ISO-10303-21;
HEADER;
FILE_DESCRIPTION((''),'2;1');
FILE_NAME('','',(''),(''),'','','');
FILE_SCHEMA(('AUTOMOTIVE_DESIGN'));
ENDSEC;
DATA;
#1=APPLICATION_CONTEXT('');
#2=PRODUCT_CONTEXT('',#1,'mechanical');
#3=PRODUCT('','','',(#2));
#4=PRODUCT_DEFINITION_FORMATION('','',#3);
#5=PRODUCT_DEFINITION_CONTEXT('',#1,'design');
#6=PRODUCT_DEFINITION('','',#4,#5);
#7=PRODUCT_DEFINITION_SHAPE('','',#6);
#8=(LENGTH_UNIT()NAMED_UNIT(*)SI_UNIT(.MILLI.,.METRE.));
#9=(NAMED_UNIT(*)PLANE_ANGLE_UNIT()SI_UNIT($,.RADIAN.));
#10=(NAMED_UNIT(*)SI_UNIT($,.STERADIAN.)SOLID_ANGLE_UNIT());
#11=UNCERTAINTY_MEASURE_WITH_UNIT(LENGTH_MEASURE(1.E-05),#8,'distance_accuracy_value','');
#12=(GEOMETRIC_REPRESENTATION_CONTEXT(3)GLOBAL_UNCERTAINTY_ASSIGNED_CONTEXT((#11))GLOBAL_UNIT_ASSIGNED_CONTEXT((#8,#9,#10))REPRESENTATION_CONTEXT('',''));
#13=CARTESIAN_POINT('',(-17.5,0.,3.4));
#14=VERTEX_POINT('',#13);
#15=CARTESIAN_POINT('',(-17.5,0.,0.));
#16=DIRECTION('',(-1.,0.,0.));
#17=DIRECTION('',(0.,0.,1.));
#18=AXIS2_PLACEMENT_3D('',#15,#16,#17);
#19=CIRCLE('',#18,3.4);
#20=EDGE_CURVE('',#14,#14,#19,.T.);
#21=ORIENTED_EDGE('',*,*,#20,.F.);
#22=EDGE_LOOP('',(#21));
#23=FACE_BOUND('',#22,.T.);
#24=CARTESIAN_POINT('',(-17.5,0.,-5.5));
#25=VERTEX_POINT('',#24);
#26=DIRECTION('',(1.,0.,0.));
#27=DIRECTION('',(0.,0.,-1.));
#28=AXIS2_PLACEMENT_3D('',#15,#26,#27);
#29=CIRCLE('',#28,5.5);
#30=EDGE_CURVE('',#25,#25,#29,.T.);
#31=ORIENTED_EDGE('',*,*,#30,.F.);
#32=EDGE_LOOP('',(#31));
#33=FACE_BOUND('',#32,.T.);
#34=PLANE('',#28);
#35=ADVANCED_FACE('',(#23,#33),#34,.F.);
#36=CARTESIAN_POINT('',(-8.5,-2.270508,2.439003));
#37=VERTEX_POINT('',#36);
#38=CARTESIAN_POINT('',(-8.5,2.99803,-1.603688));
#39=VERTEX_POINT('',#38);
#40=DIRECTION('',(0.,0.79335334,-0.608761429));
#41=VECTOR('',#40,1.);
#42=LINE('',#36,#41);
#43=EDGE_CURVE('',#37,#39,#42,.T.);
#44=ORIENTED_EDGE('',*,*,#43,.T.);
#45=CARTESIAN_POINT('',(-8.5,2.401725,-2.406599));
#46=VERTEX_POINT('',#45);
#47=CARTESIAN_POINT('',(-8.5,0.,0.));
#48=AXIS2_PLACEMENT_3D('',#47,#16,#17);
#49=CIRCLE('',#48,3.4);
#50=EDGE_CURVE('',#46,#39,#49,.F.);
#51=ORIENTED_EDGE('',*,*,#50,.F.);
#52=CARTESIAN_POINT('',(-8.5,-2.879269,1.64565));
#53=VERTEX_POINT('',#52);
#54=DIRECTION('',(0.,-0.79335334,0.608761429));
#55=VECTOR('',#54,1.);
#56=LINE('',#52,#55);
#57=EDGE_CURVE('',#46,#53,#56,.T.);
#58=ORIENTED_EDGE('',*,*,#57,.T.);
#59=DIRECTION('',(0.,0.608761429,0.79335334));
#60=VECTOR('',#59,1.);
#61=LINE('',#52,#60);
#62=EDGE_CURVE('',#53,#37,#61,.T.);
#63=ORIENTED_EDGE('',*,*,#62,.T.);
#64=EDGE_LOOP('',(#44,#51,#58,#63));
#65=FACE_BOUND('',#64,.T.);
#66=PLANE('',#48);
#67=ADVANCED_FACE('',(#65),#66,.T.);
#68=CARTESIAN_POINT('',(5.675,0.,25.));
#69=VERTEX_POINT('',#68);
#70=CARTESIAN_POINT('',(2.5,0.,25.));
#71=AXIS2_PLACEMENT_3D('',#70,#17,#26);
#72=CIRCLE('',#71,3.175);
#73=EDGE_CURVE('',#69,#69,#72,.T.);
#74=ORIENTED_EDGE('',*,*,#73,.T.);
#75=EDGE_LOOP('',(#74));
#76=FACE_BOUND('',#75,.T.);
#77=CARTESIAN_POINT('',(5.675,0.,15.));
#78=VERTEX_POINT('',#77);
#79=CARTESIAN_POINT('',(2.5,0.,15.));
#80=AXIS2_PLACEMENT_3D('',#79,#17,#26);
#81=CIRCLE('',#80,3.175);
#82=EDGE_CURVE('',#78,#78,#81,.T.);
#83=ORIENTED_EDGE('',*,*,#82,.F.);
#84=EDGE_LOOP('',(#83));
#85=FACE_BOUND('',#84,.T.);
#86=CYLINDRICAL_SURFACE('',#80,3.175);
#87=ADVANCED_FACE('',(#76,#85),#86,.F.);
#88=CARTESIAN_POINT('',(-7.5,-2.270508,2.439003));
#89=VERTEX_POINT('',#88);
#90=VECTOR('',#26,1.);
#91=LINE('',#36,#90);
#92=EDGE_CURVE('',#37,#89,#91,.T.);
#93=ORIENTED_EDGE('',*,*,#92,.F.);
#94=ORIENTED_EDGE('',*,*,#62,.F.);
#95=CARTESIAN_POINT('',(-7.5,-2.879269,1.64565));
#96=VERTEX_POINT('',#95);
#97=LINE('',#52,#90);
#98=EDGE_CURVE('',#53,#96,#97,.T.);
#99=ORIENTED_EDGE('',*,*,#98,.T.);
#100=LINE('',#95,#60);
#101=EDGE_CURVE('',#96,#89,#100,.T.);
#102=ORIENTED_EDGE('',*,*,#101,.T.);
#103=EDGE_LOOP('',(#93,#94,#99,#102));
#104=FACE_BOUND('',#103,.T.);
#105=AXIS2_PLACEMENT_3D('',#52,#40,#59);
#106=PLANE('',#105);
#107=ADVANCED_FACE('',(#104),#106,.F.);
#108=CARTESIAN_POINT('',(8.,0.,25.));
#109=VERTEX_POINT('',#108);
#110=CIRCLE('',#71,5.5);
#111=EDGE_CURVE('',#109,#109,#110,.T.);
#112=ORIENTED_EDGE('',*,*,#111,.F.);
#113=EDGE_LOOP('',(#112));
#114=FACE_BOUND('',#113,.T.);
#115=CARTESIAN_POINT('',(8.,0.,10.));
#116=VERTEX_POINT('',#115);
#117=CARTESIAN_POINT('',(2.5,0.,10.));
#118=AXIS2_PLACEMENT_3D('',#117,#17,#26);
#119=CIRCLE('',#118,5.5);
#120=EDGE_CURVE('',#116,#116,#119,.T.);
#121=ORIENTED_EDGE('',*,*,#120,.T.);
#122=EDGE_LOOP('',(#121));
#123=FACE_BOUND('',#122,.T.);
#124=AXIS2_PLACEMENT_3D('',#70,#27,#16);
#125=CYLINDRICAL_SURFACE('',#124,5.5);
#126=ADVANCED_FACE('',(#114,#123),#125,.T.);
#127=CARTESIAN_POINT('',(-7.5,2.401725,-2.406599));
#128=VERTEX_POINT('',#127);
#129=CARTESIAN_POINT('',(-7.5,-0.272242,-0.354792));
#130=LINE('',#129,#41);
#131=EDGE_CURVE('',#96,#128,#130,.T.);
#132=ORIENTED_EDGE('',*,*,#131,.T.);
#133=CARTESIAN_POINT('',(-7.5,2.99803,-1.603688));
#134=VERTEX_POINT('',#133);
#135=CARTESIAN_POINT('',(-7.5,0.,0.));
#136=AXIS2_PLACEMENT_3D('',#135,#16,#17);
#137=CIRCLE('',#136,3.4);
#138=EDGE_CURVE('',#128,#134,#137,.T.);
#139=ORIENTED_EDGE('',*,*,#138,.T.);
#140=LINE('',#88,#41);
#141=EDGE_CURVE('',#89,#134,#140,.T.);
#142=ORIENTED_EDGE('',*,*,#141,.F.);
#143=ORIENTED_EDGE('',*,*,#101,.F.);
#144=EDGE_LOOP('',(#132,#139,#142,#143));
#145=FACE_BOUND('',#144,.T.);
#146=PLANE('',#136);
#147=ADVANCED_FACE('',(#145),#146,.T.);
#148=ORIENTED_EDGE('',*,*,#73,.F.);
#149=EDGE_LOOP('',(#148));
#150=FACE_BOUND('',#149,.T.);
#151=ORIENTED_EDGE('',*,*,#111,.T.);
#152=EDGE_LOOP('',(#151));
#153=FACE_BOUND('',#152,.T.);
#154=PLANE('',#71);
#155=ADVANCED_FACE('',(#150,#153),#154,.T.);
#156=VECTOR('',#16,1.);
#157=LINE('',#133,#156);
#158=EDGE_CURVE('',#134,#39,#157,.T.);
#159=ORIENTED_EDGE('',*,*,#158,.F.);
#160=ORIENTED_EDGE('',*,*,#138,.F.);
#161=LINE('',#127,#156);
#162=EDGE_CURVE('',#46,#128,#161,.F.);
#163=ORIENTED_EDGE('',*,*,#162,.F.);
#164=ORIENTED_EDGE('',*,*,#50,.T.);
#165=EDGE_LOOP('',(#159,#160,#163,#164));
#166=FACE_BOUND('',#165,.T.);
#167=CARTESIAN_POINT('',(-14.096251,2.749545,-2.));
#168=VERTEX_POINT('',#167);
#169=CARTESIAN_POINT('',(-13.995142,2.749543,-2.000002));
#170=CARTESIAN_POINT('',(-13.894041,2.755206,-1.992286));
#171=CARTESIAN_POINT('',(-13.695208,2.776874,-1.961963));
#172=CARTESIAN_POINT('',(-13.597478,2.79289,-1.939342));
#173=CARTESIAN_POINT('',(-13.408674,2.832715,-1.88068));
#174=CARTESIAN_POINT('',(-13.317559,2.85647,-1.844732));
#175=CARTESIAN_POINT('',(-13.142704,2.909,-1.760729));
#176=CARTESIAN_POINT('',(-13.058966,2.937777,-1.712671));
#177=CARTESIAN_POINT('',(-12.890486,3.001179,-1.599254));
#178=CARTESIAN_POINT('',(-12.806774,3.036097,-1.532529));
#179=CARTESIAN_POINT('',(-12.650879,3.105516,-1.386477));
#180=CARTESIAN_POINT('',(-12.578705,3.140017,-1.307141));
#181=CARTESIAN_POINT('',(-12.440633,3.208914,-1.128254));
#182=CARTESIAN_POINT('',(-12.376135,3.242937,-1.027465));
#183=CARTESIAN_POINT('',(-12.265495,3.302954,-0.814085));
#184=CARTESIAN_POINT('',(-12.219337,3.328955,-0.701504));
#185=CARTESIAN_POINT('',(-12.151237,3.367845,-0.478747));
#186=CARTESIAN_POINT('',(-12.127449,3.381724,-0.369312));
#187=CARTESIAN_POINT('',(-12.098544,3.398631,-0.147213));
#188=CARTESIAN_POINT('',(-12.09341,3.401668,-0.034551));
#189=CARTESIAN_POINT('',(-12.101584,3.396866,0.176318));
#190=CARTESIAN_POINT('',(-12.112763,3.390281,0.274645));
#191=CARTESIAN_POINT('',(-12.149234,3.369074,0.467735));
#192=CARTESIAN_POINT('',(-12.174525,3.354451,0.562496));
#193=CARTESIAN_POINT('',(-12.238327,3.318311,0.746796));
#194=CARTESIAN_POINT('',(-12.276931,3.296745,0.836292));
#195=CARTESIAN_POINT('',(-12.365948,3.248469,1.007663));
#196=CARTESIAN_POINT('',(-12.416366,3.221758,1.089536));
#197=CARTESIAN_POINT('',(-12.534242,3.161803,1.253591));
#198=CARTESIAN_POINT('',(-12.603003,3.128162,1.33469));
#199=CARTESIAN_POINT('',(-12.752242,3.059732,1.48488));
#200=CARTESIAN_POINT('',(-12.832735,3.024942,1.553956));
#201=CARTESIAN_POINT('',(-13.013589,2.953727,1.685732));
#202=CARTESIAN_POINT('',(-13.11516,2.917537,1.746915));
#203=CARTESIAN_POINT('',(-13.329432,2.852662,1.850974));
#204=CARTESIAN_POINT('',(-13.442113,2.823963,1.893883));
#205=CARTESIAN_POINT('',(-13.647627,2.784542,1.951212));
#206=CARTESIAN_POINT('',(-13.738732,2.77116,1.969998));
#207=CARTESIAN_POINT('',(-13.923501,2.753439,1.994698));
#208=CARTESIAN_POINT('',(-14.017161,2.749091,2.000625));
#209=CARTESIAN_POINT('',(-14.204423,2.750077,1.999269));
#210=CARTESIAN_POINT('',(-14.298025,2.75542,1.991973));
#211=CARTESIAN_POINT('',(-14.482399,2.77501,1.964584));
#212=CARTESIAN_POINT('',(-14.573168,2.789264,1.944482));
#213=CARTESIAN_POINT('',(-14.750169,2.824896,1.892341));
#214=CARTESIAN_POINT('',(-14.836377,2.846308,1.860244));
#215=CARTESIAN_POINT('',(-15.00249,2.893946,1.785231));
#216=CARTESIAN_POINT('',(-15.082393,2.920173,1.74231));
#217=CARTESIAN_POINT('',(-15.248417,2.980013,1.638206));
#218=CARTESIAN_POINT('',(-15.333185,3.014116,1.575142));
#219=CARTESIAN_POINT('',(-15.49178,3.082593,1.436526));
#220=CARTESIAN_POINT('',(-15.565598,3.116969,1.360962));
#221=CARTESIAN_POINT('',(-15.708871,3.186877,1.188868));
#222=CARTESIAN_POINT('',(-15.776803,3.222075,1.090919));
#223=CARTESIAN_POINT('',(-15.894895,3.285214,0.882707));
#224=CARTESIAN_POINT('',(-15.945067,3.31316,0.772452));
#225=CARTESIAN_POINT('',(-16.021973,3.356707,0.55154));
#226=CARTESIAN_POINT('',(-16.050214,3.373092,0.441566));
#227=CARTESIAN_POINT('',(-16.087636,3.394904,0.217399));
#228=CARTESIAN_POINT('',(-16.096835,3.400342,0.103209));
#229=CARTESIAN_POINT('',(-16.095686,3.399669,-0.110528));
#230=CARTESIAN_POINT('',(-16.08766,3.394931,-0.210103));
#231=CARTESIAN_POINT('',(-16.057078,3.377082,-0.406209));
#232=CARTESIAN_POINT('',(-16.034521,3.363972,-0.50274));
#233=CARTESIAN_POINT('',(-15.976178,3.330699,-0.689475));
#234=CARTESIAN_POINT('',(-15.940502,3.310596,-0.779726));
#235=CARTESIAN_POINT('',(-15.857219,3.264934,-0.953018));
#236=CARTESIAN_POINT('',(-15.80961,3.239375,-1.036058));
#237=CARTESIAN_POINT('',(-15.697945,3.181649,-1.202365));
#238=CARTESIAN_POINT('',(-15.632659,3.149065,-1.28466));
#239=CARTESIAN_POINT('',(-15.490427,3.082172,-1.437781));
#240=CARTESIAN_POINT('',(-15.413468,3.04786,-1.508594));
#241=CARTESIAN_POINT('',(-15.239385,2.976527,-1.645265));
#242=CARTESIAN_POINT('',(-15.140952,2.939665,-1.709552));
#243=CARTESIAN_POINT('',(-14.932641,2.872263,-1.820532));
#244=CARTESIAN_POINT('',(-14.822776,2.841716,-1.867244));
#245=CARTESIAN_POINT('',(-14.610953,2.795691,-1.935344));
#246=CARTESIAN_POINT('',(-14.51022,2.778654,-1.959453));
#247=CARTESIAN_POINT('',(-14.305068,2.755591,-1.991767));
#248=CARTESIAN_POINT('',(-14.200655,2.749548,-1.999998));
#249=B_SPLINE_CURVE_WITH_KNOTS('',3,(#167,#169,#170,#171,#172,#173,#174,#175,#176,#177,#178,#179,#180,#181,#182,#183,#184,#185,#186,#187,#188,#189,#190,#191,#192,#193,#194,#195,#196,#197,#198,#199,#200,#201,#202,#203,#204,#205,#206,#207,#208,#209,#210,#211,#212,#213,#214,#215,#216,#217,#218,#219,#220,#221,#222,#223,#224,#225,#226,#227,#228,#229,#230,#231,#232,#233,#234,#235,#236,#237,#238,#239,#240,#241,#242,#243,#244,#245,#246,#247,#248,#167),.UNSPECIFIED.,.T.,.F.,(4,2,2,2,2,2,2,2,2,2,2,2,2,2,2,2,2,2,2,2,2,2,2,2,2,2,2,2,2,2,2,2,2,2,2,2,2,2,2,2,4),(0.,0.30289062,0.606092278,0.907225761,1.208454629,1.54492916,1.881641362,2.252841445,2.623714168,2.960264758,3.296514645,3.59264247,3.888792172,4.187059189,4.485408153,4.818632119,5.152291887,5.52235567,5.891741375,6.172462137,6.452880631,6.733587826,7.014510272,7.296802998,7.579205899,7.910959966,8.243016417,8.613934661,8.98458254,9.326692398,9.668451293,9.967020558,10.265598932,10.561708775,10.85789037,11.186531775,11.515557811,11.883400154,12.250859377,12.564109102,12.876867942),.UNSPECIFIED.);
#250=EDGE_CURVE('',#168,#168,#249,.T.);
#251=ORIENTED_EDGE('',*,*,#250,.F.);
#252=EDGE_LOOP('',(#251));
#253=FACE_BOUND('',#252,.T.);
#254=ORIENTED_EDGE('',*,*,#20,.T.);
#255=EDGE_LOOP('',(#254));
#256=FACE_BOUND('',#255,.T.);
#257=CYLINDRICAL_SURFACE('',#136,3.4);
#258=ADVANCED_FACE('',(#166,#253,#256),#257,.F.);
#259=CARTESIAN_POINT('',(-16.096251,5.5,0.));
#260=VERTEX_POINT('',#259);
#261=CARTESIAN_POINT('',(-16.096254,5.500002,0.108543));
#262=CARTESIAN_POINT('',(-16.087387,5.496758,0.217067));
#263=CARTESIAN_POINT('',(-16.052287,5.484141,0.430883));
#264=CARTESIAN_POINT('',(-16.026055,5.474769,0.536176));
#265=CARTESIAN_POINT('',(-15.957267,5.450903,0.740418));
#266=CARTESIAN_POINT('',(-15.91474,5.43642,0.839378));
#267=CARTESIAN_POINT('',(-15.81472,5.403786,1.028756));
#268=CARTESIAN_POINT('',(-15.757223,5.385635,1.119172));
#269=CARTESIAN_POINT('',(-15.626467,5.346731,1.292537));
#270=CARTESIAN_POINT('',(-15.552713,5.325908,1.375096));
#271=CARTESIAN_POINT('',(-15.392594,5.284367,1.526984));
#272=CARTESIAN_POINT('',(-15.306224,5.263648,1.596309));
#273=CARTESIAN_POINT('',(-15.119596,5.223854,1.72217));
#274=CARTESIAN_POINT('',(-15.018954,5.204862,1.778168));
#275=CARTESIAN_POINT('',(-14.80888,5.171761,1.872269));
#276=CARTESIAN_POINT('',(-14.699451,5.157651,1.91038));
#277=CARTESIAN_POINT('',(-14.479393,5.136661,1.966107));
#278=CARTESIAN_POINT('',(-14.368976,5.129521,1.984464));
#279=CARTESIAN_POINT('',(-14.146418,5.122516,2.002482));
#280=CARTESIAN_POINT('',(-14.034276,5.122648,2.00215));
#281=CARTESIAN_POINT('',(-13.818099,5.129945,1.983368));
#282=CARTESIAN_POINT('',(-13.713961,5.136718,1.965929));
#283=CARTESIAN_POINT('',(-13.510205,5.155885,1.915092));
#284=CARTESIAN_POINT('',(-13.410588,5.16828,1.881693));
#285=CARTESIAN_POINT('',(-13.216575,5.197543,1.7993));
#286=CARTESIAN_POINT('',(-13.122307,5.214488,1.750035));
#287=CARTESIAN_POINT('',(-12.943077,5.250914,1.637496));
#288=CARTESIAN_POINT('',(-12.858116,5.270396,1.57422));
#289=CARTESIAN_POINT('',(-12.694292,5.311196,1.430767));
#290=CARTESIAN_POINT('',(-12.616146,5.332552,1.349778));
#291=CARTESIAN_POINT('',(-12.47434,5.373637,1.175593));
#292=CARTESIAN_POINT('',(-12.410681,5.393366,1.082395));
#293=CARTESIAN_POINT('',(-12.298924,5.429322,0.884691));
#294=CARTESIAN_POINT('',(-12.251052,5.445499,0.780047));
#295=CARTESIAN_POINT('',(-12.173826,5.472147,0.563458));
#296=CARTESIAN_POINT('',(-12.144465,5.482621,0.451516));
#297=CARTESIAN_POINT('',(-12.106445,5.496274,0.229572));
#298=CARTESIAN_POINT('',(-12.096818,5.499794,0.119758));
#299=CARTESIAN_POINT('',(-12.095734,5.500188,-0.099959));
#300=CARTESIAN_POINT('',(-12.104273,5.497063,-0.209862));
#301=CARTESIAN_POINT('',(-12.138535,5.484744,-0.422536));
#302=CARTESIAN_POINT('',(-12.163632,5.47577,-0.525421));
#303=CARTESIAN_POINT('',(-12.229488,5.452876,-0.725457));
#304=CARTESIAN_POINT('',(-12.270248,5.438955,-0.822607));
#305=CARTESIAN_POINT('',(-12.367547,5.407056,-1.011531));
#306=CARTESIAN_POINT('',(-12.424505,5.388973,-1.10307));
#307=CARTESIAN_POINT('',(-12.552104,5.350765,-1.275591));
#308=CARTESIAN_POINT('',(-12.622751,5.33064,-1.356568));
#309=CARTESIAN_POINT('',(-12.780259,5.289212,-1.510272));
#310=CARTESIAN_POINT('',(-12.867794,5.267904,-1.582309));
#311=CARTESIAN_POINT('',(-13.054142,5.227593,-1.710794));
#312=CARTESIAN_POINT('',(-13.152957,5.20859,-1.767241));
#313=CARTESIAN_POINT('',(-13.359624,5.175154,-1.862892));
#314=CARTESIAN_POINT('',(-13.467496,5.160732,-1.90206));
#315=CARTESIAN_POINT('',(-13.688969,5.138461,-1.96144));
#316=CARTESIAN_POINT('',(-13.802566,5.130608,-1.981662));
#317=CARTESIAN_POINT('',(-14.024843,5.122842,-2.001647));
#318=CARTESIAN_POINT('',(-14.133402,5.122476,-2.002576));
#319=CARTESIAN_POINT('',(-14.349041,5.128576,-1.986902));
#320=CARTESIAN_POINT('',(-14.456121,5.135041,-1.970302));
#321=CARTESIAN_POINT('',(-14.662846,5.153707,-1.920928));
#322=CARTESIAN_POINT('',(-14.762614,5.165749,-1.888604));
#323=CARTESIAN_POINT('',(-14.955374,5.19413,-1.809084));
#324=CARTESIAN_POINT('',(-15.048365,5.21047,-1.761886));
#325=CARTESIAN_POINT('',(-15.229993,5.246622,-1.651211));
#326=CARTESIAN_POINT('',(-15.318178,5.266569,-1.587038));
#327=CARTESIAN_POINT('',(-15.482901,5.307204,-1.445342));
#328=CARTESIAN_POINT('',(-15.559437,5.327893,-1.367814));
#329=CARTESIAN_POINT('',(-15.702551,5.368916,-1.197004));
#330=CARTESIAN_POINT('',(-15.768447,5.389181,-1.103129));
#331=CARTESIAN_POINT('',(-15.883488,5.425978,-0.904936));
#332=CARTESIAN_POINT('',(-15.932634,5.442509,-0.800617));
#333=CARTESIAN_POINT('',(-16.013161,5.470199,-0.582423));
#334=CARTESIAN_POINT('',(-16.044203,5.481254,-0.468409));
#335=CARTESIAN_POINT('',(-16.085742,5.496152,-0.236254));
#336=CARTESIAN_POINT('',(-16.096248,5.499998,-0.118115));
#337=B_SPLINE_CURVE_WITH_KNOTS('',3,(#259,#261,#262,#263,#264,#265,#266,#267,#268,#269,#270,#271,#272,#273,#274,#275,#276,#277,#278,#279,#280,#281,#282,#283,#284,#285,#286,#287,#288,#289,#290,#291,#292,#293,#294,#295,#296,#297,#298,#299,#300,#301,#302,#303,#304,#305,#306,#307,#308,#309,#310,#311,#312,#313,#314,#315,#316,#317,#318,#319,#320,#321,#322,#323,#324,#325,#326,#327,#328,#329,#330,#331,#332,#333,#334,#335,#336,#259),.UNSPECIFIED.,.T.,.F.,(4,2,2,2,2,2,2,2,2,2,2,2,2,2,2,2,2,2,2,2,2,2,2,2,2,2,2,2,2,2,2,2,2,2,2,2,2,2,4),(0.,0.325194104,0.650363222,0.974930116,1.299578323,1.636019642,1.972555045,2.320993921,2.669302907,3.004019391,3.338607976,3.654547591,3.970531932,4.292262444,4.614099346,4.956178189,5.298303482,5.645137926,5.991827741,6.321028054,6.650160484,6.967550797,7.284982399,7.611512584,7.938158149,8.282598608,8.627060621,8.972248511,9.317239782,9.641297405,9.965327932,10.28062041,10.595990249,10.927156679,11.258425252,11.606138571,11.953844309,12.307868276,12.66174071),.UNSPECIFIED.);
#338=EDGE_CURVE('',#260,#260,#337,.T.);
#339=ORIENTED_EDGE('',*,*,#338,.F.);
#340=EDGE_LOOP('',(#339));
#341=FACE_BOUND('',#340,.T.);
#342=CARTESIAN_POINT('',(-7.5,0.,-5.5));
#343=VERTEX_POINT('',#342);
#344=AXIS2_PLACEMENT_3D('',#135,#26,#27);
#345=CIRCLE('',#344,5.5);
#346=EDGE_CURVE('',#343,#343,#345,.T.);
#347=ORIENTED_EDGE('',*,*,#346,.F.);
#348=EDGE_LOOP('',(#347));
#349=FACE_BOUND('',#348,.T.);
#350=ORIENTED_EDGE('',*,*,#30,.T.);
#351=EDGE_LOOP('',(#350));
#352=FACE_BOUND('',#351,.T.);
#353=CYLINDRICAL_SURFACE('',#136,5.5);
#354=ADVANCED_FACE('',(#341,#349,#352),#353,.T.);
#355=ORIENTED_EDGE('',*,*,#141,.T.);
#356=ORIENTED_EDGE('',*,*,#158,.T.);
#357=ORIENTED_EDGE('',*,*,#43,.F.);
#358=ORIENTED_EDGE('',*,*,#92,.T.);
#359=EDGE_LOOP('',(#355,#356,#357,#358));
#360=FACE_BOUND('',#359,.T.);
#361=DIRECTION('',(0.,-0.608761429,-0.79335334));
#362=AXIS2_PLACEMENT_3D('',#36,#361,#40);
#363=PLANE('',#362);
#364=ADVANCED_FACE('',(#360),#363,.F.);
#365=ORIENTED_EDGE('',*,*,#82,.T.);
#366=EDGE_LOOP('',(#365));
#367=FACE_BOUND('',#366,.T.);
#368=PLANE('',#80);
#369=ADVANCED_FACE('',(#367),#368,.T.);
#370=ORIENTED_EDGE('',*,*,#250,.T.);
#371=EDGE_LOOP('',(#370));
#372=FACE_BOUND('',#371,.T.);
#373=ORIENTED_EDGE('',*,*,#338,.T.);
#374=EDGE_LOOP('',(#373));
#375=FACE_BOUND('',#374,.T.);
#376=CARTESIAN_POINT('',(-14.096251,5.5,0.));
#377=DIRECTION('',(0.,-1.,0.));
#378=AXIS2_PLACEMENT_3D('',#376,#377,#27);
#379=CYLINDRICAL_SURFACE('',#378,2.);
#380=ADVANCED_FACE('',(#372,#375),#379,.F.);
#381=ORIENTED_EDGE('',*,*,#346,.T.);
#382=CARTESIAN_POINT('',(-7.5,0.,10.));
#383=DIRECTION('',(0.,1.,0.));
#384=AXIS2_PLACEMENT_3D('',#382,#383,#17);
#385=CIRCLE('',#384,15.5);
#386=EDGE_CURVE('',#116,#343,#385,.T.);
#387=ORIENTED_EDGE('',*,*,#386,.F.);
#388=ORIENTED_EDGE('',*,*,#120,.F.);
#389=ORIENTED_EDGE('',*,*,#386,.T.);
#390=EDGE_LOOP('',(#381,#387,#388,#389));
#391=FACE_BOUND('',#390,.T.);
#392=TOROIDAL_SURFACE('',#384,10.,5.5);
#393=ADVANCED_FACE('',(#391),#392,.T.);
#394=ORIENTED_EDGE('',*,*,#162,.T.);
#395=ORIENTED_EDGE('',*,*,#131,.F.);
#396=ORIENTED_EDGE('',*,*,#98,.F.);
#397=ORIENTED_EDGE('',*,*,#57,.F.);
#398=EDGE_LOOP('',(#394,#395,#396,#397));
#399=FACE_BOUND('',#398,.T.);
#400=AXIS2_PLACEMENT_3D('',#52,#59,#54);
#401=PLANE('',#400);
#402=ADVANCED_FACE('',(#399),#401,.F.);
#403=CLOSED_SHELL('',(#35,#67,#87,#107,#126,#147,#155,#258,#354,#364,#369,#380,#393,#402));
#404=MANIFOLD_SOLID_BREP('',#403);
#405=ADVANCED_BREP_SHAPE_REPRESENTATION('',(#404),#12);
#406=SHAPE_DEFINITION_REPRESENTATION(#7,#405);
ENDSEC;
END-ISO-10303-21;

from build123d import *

# Parameters (mm, degrees)
SKETCH4_R         = 5.5
SKETCH6_R         = 3.175
HOLE_SHAFT_DEPTH  = 10
SKETCH7_R         = 3.4
HOLE_POT_DEPTH    = 10
SKETCH8_R         = 2
HOLE_INSERT_DEPTH = 6.5000001
SLOT_BOSS_DEPTH   = 1


with BuildPart() as part:
    # Sweep2: sweep along a path in PROFILE
    with BuildLine(Plane(origin=(0, 0, 0), x_dir=(1, 0, 0), z_dir=(0, 1, 0))) as sweep2_path:
        Line((2.5, -25), (2.5, -10))
        ThreePointArc((2.5, -10), (-0.428932188, -2.928932188), (-7.5, 0))
        Line((-7.5, 0), (-17.5, 0))
    # Sketch4 → Sweep2 (sweep)
    with BuildSketch(Plane.XY.offset(25)):
        with Locations((2.5, 0)):
            Circle(SKETCH4_R)
    sweep(path=sweep2_path.line)

    # Sketch6 → HOLE_SHAFT (cut)
    with BuildSketch(Plane.XY.offset(25)):
        with Locations((2.5, 0)):
            Circle(SKETCH6_R)
    extrude(amount=-HOLE_SHAFT_DEPTH, mode=Mode.SUBTRACT)

    # Sketch7 → HOLE_POT (cut)
    with BuildSketch(Plane.ZY.offset(17.5)):
        Circle(SKETCH7_R)
    extrude(amount=-HOLE_POT_DEPTH, mode=Mode.SUBTRACT)

    # Sketch8 → HOLE_INSERT (cut, through all)
    with BuildSketch(Plane(origin=(0, 0, 0), x_dir=(1, 0, 0), z_dir=(0, 1, 0))):
        with Locations((-14.096251262, 0)):
            Circle(SKETCH8_R)
    extrude(amount=HOLE_INSERT_DEPTH, mode=Mode.SUBTRACT)

    # Sketch11 → SLOT_BOSS (add)
    with BuildSketch(Plane.ZY.offset(7.5)):
        Polygon((1.645649924, -2.879269115), (-2.456130729, 2.466275506), (-1.662777389, 3.075036935), (2.439003264, -2.270507686), align=None)
    extrude(amount=SLOT_BOSS_DEPTH)


solid = part.part
